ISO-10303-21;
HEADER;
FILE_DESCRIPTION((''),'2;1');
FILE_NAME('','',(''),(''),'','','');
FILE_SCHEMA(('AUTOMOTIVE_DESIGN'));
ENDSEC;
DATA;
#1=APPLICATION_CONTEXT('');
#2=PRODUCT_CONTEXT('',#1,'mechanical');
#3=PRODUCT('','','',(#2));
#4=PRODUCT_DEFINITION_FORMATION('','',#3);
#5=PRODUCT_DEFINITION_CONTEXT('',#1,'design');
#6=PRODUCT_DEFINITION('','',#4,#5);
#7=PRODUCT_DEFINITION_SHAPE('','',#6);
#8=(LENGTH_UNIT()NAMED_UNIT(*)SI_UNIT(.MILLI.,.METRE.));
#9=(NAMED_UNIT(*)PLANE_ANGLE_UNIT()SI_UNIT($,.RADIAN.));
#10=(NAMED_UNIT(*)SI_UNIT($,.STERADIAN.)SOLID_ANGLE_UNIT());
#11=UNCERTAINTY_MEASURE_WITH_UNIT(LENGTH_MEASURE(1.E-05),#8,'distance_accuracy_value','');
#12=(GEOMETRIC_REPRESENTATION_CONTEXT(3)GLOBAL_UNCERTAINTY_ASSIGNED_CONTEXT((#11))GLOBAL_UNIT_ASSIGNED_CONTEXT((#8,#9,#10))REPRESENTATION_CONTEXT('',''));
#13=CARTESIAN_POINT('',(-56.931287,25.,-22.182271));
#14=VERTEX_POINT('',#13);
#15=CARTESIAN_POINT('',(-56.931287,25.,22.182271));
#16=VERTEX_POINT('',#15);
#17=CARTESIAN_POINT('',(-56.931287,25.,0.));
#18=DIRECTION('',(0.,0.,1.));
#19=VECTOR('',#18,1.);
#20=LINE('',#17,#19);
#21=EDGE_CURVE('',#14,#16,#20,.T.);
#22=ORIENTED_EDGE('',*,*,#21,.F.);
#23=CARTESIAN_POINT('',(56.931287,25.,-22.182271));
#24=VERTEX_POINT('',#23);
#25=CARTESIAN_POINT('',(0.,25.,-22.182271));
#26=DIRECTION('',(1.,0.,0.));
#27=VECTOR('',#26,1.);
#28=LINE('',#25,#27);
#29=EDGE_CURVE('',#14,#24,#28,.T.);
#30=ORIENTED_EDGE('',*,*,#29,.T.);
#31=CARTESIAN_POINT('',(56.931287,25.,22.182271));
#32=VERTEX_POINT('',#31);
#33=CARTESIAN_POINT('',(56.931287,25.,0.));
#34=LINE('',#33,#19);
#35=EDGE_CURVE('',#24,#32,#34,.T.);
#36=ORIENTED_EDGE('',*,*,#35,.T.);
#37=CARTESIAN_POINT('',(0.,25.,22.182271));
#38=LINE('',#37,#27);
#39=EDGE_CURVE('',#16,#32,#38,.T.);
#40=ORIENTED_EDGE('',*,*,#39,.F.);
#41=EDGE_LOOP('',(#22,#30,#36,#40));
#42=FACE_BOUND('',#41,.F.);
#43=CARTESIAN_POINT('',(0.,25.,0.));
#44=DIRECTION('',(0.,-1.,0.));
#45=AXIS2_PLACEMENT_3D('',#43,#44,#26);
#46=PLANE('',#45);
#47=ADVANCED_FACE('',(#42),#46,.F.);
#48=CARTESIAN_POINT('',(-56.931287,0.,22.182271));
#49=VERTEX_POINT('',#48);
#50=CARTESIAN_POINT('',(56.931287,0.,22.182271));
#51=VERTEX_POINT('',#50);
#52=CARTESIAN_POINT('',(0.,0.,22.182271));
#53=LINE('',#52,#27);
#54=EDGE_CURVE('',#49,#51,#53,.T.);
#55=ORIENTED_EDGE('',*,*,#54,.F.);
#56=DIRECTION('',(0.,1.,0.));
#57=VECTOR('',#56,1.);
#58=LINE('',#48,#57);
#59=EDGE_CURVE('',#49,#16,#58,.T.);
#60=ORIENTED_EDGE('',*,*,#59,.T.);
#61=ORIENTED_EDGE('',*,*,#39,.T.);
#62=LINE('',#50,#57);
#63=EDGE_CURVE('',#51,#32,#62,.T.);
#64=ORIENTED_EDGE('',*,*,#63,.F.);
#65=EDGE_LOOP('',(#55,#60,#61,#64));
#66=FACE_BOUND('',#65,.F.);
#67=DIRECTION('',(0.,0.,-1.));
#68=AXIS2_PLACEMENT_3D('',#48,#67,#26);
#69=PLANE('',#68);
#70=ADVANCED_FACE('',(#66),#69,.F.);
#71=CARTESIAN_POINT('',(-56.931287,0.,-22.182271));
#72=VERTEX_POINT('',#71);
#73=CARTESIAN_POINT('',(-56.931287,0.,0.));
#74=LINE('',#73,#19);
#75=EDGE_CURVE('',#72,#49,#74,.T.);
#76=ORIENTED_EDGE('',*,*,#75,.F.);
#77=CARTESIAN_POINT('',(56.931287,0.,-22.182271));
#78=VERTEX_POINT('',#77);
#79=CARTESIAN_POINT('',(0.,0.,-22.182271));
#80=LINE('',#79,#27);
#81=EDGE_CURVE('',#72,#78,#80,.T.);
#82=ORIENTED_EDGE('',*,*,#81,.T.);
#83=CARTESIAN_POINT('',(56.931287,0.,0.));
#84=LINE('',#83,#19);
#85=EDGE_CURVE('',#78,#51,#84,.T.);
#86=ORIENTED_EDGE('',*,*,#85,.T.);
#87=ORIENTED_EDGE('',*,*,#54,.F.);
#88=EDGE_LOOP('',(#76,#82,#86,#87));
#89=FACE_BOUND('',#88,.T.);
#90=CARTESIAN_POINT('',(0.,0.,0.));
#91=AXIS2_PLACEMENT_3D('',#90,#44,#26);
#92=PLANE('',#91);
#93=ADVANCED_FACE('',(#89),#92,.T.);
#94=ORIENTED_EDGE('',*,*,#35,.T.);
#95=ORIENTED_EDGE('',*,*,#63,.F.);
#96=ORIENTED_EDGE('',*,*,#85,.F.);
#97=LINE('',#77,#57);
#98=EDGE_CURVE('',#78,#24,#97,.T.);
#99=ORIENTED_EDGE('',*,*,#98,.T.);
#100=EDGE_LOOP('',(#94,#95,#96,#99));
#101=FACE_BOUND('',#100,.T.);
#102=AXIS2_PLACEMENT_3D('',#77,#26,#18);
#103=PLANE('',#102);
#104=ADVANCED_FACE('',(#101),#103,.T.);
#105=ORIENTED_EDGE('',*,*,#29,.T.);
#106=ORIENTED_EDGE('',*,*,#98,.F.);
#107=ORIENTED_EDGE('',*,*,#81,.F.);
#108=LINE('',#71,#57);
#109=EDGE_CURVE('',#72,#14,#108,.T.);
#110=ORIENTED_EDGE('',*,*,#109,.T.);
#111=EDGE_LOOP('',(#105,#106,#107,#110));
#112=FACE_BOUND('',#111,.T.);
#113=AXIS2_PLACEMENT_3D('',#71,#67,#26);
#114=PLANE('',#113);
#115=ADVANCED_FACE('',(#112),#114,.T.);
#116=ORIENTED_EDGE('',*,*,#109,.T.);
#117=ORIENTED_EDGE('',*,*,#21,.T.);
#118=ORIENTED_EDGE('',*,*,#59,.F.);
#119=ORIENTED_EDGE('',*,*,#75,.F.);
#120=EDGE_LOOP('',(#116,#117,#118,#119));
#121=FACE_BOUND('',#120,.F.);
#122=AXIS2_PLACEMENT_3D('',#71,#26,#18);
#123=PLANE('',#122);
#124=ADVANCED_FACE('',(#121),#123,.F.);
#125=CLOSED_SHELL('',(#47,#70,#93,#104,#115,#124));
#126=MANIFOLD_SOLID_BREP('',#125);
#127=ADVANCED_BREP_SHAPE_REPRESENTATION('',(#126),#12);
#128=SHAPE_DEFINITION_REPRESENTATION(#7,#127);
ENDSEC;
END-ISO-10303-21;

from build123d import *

# Parameters (mm, degrees)
F1_W     = 113.862574
F1_H     = 44.364542
F2_DEPTH = 25


with BuildPart() as f2:
    # F1 (on face) → F2 (new body)
    with BuildSketch(Plane.XZ):
        Rectangle(F1_W, F1_H)
    extrude(amount=-F2_DEPTH)


solid = f2.part
